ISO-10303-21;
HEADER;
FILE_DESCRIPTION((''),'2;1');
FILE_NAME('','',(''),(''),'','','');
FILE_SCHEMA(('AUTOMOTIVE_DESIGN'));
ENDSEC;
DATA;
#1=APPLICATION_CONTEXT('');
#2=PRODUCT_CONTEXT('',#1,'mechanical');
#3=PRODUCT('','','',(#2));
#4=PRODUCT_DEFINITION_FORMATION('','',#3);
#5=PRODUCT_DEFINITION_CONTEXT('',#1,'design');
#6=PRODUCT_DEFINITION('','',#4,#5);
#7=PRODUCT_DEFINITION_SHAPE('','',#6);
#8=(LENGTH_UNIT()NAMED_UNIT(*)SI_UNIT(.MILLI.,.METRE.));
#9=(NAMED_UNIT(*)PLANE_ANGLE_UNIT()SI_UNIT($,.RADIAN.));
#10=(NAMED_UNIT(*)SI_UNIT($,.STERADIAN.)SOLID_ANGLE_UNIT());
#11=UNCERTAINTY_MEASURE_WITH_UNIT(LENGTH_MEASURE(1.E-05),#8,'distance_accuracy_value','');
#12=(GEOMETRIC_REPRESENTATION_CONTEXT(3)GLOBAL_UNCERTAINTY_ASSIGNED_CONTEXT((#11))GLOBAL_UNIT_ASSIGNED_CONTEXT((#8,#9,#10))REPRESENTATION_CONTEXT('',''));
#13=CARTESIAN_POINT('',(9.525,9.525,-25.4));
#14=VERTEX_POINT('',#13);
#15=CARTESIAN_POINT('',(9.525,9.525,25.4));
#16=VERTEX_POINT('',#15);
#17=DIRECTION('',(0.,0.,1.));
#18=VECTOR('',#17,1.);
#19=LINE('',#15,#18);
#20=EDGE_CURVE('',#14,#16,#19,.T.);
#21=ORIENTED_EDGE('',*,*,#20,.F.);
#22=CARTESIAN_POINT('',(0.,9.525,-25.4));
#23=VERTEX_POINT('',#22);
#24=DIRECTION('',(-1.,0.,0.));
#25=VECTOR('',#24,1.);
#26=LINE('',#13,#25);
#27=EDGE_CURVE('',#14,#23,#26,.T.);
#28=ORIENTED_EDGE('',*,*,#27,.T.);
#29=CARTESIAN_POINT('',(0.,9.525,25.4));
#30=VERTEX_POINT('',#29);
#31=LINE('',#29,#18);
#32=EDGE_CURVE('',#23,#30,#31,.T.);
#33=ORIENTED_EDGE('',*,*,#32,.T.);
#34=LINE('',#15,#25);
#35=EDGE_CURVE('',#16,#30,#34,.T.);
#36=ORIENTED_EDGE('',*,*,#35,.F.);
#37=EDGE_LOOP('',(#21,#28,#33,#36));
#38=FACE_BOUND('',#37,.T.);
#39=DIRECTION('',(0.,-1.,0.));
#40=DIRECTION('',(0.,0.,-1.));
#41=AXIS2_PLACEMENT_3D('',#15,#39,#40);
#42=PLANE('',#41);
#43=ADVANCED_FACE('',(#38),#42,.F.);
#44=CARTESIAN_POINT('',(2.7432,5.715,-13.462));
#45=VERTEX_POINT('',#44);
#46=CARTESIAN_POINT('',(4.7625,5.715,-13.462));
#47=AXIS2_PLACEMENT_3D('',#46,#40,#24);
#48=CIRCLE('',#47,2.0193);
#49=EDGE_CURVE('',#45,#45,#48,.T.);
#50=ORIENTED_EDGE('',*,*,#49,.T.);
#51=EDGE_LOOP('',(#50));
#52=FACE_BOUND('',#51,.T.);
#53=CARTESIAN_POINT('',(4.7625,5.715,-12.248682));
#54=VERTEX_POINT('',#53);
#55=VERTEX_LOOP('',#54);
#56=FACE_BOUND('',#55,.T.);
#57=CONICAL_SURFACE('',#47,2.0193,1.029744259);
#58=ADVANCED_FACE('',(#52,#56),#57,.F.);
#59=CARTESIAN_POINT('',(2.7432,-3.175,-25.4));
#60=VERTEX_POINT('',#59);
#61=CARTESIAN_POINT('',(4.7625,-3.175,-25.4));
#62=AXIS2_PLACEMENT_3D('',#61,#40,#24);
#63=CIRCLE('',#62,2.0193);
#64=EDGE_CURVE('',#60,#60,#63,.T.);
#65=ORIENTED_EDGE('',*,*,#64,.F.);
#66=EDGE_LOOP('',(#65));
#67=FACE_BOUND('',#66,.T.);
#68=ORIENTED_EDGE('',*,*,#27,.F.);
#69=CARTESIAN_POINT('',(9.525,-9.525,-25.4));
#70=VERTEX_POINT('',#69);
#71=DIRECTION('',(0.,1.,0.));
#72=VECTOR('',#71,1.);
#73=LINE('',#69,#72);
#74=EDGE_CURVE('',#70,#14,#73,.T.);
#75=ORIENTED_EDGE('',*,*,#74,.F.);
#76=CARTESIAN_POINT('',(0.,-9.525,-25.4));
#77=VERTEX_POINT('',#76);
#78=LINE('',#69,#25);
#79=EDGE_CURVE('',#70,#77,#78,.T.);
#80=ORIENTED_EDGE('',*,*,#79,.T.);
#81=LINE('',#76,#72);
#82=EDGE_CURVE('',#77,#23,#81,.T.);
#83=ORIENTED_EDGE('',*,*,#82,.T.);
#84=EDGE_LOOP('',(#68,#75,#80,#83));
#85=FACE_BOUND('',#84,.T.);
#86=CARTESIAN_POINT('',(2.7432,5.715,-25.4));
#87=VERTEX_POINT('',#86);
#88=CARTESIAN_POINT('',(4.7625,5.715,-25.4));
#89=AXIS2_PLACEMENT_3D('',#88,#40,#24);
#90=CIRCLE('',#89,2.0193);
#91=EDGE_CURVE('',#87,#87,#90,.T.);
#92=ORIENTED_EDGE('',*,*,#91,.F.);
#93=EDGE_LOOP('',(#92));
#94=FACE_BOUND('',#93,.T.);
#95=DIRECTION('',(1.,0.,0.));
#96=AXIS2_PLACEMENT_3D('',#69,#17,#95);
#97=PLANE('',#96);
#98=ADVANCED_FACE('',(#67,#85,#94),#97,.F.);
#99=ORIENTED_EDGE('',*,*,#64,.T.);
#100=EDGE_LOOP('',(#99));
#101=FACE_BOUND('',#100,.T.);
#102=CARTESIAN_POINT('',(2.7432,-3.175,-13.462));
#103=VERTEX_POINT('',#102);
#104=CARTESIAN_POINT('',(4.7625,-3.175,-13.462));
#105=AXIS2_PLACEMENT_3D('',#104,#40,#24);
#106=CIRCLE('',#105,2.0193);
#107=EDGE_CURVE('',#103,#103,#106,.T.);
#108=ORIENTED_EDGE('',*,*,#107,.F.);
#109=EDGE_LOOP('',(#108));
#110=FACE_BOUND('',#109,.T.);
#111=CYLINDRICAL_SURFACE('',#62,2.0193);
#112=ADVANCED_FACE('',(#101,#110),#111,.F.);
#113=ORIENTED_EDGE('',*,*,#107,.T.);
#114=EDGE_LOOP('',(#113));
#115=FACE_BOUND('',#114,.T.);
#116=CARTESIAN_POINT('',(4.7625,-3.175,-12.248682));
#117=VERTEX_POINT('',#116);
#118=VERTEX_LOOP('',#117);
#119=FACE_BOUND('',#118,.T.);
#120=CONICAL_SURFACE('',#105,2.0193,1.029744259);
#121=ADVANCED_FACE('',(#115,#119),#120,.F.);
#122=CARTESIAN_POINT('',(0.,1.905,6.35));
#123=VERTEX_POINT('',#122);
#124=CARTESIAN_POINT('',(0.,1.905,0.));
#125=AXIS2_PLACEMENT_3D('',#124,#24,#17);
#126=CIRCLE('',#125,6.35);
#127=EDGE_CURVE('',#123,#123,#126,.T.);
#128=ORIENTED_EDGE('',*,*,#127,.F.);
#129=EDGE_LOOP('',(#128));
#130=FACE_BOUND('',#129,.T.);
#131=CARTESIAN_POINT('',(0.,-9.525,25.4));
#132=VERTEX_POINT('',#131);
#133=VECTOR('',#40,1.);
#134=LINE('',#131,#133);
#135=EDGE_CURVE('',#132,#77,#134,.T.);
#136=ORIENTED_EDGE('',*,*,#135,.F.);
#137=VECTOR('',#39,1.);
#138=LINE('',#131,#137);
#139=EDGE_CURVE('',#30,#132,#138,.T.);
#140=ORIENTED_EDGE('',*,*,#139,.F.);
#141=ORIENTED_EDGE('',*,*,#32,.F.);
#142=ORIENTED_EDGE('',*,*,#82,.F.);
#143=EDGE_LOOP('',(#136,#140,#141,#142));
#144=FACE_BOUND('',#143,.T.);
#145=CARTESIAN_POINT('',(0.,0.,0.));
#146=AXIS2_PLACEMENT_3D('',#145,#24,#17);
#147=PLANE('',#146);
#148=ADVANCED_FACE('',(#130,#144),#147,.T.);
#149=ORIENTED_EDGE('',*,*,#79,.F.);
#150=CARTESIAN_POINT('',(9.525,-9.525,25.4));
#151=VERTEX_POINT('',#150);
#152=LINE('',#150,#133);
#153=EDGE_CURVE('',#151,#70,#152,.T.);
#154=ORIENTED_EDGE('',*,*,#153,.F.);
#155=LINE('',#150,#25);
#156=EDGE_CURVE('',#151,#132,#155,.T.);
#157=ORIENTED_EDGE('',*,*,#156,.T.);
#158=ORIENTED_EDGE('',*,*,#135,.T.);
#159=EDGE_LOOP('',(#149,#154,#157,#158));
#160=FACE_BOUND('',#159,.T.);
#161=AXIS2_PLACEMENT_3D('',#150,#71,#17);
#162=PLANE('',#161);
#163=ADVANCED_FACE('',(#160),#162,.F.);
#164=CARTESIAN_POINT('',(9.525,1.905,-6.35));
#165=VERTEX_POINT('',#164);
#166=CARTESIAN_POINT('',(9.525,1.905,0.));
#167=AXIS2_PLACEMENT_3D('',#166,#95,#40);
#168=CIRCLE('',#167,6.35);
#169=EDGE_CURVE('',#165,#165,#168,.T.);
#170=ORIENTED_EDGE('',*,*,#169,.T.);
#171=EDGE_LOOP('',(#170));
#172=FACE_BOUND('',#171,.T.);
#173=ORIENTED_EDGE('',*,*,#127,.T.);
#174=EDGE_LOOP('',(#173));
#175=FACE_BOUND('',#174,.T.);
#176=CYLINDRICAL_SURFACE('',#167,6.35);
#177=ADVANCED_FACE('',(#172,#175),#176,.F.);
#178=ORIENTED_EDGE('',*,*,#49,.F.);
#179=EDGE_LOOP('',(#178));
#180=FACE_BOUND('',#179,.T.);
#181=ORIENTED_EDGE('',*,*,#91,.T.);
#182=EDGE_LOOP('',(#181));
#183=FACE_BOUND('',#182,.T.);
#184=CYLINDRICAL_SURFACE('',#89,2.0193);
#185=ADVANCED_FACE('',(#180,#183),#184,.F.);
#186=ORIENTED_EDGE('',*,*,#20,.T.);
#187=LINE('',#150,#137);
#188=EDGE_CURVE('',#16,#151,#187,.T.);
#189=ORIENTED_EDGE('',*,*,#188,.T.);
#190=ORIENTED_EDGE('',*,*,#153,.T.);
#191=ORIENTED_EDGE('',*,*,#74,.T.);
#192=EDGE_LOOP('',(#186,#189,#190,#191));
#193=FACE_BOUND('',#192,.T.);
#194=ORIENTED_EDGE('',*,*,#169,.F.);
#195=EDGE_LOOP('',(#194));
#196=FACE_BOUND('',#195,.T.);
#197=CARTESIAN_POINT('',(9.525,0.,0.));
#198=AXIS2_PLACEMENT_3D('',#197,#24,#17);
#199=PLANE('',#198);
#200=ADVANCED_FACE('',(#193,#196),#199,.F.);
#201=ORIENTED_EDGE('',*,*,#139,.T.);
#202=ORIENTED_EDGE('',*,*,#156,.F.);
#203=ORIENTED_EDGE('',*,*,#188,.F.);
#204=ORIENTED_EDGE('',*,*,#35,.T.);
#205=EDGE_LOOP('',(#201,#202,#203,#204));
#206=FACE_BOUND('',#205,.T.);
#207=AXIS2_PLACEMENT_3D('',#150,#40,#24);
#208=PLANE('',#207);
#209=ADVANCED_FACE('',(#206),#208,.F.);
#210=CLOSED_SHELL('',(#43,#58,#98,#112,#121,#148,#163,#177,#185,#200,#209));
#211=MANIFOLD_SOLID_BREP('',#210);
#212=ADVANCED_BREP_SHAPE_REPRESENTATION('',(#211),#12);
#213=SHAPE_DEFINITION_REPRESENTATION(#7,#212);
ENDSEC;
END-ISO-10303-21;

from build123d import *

# Parameters (mm, degrees)
SKETCH1_W                      = 50.8
SKETCH1_H                      = 19.05
BOSS_EXTRUDE1_DEPTH            = 9.525
F_1_2_0_5_DIAMETER_HOLE1_D     = 12.7
F_1_2_0_5_DIAMETER_HOLE1_DEPTH = 70.104
F_1_2_0_5_DIAMETER_HOLE1_TIP   = 3.815464931
F_10_32_TAPPED_HOLE1_D         = 4.0386
F_10_32_TAPPED_HOLE1_DEPTH     = 11.938
F_10_32_TAPPED_HOLE1_TIP       = 1.213317848


with BuildPart() as part:
    # Sketch1 → Boss-Extrude1 (new body)
    with BuildSketch(Plane(origin=(0, 0, 0), x_dir=(0, 0, -1), z_dir=(1, 0, 0))):
        Rectangle(SKETCH1_W, SKETCH1_H)
    extrude(amount=BOSS_EXTRUDE1_DEPTH)

    # 1/2 (0.5) Diameter Hole1
    with Locations(Plane(origin=(9.525, 0, 0), x_dir=(0, 0, -1), z_dir=(1, 0, 0))):
        with Locations((0, 1.905)):
            Hole(F_1_2_0_5_DIAMETER_HOLE1_D / 2, depth=F_1_2_0_5_DIAMETER_HOLE1_DEPTH)
            with Locations((0, 0, -(F_1_2_0_5_DIAMETER_HOLE1_DEPTH + F_1_2_0_5_DIAMETER_HOLE1_TIP / 2))):  # 118° drill point
                Cone(0, F_1_2_0_5_DIAMETER_HOLE1_D / 2, F_1_2_0_5_DIAMETER_HOLE1_TIP, mode=Mode.SUBTRACT)

    # #10-32 Tapped Hole1
    with Locations(Plane(origin=(-1.022565875, -1.088669914, -25.4), x_dir=(-1, 0, 0), z_dir=(0, 0, -1))):
        with Locations((-5.785065875, -2.086330086), (-5.785065875, 6.803669914)):
            Hole(F_10_32_TAPPED_HOLE1_D / 2, depth=F_10_32_TAPPED_HOLE1_DEPTH)
            with Locations((0, 0, -(F_10_32_TAPPED_HOLE1_DEPTH + F_10_32_TAPPED_HOLE1_TIP / 2))):  # 118° drill point
                Cone(0, F_10_32_TAPPED_HOLE1_D / 2, F_10_32_TAPPED_HOLE1_TIP, mode=Mode.SUBTRACT)


solid = part.part
